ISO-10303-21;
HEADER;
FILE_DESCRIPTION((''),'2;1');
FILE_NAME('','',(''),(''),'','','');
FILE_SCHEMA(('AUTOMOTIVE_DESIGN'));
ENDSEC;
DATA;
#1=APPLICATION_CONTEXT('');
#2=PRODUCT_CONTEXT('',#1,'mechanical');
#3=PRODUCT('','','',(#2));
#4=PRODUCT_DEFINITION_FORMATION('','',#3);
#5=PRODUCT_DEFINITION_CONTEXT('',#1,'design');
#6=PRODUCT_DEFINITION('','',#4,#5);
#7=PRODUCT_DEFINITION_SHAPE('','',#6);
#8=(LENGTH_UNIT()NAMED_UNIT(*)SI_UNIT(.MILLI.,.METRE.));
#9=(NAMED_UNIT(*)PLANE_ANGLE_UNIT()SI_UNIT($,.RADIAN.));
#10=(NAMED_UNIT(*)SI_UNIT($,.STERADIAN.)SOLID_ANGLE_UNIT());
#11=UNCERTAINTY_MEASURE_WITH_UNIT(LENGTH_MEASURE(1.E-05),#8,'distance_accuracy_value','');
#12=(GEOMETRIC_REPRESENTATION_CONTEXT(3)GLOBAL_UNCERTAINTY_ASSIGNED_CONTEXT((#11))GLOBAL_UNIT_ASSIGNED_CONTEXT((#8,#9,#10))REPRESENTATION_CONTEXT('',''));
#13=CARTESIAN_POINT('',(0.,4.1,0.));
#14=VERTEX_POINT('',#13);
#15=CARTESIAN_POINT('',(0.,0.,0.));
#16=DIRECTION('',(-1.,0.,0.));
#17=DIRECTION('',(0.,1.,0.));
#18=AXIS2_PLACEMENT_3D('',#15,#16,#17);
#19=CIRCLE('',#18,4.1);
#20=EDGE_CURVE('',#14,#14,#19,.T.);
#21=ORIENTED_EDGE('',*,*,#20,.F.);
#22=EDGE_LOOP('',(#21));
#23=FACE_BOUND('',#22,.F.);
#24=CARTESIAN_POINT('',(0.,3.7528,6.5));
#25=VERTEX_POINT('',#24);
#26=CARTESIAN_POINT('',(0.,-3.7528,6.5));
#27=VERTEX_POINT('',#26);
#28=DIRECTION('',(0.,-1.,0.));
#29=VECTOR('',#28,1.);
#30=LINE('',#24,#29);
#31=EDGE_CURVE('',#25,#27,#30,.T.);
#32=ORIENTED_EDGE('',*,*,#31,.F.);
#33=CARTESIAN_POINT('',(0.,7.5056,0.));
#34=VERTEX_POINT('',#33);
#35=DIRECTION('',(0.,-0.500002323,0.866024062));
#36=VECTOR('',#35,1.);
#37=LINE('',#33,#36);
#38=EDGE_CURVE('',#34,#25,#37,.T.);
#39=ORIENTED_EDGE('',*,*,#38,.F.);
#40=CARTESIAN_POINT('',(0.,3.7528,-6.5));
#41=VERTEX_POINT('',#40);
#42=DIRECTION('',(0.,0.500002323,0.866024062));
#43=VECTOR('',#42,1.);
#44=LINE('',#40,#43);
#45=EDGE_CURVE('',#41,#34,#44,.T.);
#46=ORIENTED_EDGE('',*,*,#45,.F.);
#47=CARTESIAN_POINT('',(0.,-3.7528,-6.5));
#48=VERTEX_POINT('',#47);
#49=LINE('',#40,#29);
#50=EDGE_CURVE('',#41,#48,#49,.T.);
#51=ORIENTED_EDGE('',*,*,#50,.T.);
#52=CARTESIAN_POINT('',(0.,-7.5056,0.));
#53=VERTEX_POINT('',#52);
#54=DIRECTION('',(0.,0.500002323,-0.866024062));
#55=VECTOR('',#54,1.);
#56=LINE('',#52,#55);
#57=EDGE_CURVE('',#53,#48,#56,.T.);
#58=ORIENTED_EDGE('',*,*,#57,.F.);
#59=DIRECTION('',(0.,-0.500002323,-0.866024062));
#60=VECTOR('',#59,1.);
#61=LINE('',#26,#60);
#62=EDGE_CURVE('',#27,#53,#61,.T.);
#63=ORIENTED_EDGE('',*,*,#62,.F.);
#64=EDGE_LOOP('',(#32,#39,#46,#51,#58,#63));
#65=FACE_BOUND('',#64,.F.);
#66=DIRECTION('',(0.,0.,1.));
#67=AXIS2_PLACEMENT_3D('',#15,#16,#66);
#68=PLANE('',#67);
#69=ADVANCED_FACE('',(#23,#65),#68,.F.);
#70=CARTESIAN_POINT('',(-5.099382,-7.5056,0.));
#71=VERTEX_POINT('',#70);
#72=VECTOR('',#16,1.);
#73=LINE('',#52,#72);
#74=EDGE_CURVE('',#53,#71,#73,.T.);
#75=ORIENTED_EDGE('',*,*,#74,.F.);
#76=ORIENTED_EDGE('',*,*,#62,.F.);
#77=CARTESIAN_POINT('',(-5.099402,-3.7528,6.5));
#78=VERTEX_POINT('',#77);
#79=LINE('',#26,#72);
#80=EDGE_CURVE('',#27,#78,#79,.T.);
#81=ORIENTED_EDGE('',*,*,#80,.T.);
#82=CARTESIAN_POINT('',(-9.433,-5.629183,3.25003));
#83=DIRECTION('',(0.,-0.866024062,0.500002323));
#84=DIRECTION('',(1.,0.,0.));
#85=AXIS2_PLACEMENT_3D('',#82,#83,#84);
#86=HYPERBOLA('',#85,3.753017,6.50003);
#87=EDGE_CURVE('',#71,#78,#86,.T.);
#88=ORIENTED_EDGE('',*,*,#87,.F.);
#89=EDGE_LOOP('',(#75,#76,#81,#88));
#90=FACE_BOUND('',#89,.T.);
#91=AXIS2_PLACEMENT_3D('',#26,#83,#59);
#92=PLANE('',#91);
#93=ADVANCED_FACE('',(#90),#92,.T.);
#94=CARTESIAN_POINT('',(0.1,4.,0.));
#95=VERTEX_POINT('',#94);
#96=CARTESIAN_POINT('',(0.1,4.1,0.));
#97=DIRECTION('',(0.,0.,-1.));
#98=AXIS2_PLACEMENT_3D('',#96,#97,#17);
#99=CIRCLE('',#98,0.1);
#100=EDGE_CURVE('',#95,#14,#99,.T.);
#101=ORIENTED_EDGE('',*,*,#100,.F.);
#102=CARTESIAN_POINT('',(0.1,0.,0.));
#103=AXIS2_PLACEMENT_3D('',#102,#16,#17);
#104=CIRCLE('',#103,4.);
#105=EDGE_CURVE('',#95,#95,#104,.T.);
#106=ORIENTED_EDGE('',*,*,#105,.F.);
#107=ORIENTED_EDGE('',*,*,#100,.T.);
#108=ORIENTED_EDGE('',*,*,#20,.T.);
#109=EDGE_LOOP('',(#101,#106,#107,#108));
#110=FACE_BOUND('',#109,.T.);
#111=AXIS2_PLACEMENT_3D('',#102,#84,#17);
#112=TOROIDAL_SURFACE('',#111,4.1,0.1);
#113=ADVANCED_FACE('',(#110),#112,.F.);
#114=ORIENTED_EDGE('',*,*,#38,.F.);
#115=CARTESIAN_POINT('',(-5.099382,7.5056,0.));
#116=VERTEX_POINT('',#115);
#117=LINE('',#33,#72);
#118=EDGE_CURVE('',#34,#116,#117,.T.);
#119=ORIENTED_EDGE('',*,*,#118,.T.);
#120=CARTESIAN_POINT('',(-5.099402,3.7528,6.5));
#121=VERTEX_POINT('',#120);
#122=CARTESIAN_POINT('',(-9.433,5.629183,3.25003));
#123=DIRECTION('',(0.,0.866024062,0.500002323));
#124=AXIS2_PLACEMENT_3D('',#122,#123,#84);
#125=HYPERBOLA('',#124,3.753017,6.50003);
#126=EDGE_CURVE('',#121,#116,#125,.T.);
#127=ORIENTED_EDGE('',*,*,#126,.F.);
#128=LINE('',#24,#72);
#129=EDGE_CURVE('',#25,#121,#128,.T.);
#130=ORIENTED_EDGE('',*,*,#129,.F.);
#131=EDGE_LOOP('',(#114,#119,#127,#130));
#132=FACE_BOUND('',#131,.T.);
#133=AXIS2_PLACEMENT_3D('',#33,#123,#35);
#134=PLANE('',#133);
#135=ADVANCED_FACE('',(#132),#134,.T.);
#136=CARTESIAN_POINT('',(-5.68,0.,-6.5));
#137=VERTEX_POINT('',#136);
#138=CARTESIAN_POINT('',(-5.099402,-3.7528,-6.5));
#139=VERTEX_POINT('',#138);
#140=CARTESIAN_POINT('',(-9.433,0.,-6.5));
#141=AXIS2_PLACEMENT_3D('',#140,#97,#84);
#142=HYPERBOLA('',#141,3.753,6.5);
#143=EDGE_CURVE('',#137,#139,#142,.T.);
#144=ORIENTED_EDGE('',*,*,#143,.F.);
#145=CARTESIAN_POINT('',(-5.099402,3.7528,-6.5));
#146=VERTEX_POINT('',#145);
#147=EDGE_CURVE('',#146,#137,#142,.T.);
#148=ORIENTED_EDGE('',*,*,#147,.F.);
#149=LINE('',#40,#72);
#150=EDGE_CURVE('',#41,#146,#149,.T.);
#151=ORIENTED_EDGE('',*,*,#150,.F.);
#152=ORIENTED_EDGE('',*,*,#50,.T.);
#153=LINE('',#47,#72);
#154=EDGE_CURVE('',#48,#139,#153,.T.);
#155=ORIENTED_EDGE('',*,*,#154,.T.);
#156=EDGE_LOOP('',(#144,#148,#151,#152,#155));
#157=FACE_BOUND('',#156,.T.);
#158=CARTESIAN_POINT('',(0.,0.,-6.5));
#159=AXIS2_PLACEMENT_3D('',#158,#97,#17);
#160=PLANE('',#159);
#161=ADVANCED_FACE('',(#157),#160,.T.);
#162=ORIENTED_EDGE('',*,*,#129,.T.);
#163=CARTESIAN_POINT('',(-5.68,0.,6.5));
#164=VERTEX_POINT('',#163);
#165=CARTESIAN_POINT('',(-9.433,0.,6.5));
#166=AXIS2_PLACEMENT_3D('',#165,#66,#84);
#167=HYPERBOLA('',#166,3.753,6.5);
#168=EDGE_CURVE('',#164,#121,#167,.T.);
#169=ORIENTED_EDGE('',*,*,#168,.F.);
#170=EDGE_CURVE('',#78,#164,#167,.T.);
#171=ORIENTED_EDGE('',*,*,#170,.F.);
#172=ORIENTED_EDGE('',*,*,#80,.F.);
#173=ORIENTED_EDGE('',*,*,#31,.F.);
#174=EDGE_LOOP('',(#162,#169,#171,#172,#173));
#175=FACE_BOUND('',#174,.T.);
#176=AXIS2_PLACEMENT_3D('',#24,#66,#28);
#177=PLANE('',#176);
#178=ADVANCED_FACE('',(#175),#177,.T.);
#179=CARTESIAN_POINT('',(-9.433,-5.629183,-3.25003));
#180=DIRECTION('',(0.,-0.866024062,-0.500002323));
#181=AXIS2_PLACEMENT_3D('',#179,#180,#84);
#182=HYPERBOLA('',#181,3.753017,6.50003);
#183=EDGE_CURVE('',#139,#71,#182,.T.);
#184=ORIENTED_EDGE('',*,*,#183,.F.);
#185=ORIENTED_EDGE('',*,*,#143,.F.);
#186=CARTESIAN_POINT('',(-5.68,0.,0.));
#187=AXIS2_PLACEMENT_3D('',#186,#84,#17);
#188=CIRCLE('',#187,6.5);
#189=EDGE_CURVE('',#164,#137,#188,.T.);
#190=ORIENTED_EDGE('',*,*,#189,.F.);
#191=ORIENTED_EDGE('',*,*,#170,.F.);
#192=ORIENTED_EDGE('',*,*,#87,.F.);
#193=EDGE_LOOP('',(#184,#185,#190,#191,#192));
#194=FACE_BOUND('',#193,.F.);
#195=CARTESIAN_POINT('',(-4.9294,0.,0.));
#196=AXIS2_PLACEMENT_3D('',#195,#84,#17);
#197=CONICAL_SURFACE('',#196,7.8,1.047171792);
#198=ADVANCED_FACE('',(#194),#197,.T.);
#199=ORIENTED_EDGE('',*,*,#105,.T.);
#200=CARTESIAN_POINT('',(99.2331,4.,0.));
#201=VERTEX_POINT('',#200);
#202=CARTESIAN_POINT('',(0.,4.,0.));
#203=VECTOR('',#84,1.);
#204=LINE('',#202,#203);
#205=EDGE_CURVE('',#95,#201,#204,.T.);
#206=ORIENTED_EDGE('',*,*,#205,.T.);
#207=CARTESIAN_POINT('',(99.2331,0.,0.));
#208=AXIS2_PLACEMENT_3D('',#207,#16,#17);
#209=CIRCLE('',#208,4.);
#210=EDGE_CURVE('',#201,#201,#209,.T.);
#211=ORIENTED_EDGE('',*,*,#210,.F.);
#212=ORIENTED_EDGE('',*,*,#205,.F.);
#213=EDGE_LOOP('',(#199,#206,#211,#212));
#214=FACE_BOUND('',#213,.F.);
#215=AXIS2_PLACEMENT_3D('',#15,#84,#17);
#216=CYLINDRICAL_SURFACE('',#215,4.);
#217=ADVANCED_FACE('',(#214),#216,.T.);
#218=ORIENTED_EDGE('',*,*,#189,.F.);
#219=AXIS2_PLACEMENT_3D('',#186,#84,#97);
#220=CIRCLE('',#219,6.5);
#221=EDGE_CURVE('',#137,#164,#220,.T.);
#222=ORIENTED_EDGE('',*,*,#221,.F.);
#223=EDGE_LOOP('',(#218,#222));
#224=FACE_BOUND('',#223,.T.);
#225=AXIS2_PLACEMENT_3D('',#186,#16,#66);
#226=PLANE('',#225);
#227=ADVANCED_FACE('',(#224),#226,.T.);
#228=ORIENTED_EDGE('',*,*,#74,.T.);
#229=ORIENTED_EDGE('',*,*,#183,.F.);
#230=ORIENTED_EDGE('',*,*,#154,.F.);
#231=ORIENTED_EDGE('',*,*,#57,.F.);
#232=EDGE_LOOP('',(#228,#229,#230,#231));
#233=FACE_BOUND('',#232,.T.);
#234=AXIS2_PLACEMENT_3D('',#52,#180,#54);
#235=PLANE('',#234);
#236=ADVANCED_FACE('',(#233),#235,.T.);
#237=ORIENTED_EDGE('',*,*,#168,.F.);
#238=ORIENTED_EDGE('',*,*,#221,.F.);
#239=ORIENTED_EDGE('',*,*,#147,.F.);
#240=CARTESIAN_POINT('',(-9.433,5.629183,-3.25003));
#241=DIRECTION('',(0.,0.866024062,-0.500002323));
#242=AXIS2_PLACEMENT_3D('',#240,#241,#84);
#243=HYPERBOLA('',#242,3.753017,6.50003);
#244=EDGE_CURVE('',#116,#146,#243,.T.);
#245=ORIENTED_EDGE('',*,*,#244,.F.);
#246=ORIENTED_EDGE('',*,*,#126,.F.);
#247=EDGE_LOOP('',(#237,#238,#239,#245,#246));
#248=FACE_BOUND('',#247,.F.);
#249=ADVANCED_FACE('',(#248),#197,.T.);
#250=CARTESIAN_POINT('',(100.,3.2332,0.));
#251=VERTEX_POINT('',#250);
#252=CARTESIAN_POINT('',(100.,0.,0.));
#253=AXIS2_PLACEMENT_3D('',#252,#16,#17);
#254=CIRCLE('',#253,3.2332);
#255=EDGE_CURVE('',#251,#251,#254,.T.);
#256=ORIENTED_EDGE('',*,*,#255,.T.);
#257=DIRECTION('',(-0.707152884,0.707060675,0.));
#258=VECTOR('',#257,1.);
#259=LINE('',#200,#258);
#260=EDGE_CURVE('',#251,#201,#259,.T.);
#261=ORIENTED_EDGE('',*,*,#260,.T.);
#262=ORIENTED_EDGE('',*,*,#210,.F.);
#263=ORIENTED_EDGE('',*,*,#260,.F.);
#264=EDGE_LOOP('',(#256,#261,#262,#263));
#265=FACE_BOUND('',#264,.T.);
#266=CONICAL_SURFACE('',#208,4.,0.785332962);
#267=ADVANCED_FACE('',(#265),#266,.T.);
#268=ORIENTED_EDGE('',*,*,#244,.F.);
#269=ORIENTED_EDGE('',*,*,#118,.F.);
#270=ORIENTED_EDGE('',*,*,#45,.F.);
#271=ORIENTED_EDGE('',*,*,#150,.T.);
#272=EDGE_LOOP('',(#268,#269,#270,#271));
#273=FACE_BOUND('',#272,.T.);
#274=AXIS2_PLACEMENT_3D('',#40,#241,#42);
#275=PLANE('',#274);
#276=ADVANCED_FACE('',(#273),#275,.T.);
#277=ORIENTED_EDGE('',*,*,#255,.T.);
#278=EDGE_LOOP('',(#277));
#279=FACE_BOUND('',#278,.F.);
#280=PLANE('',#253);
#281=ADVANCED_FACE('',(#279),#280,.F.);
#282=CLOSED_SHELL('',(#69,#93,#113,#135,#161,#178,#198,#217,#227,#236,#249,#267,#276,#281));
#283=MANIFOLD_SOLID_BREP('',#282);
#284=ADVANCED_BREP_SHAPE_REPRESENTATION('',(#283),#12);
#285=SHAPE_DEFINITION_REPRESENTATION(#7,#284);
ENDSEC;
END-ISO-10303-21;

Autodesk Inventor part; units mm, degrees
ref_plane "YZ Plane" through (0, 0, 0) normal (1, 0, 0) x (0, 1, 0)
ref_plane "XZ Plane" through (0, 0, 0) normal (0, 1, 0) x (-1, 0, 0)
sketch "Sketch1" plane through (0, 0, 0) normal (0, 0, 1) x (1, 0, 0)
  line L0 (0, 4) -> (100, 4)
  line L1 (100, 4) -> (100, 0)
  line L2 (100, 0) -> (0, 0)
  line L3 (-16, 0) -> (96, 0) projected
  line L4 (0, -0.8) -> (0, 4.8) projected
  line L5 (0, 4) -> (0, 0)
  dimension "d2" = 8
  dimension "d59" = 100
revolve "Body" add sketch "Sketch1" angle 360 about axis through (100, 0, 0) along (-1, 0, 0)
sketch "Sketch2" plane through (0, 0, 0) normal (-1, 0, 0) x (0, 0, 1)
  line L0 (0, 7.5056) -> (6.5, 3.7528)
  line L1 (6.5, 3.7528) -> (6.5, -3.7528)
  line L2 (6.5, -3.7528) -> (0, -7.5056)
  line L3 (0, -7.5056) -> (-6.5, -3.7528)
  line L4 (-6.5, -3.7528) -> (-6.5, 3.7528)
  line L5 (-6.5, 3.7528) -> (0, 7.5056)
  line L6 (-9.1, 0) -> (9.1, 0) projected
  line L7 (0, 10.5078) -> (0, -10.5078) projected
  point P0 (0, 0)
  point P1 (0, 0)
  dimension "d11" = 13
extrude "Head" add sketch "Sketch2" along normal blind 5.68
sketch "Sketch4" plane through (0, 0, 0) normal (0, 0, 1) x (1, 0, 0)
  line L0 (-4.9294, 7.8) -> (-5.68, 6.5)
  line L1 (-1.1, 0) -> (-0.234, 0)
  line L2 (-6.7692, 0) -> (0.8552, 0) projected
  line L3 (-5.68, 7.8) -> (-4.9294, 7.8)
  line L4 (-5.68, 6.5) -> (-5.68, 7.8)
  line L5 (0, 9.36) -> (0, -1.56) projected
  dimension "d65" = 13
  dimension "d67" = 30
  dimension "d68" = 15.6
  dimension "d69" = 5.68
revolve "Chamfer1" cut sketch "Sketch4" angle 360 about axis through (-1.1, 0, 0) along (1, 0, 0)
thread "Thread" size "M8x1.25" class "6g" standard "ISO Metric profile" length 22
chamfer "Chamfer2" distance 0.7668 distance2 0.7669 1 edges at (100, -4, 0) measured on face at (100, -1.054, 1.6624)
fillet "Fillet" radius 0.1 1 edges at (0, -4, 0)
ref_plane "Work Plane1" through (1.525, 0, 0) normal (0, 0, 1) x (1, 0, 0)
equation "\"d2\" = GD"
equation "\"d59\" = NLG"
equation "\"d11\" = SW"
equation "\"d3\" = KOH"
equation "\"d15\" = GEL"
equation "\"d6\" = -0.5 * SPD + 0.5 * GD"
equation "\"d71\" = RR"
equation "\"d65\" = SW"
equation "\"d67\" = ANG1"
equation "\"d68\" = 1.2 * SW"
equation "\"d69\" = KOH"
equation "\"NLG\" = 100"
equation "\"GD\" = NND"
equation "\"BDM\" = NND"
equation "\"KOH\" = 5.68"
equation "\"GEL\" = 22"
equation "\"SW\" = 13"
equation "\"SW0\" = SW"
equation "\"SPD\" = NND - 1.2269 * PTC"
equation "\"SD2\" = NND"
equation "\"SD\" = 0"
equation "\"ANG1\" = 30deg"
equation "\"GAL\" = 0.61345 * PTC"
equation "\"GUL\" = 0.61345 * PTC"
equation "\"RR\" = 0.1"
equation "\"RR1\" = 0.4"
equation "\"GD1\" = THREADDIA - 1.2269 * PTC"
equation "\"THREADDIA\" = 8"
equation "\"TOA\" = 30deg"
equation "\"PTC\" = 1.25"
equation "\"KOH1\" = 3.7"
equation "\"NND\" = 8"
equation "\"E0\" = 1.155 * SW"
properties material "Steel, Mild"
